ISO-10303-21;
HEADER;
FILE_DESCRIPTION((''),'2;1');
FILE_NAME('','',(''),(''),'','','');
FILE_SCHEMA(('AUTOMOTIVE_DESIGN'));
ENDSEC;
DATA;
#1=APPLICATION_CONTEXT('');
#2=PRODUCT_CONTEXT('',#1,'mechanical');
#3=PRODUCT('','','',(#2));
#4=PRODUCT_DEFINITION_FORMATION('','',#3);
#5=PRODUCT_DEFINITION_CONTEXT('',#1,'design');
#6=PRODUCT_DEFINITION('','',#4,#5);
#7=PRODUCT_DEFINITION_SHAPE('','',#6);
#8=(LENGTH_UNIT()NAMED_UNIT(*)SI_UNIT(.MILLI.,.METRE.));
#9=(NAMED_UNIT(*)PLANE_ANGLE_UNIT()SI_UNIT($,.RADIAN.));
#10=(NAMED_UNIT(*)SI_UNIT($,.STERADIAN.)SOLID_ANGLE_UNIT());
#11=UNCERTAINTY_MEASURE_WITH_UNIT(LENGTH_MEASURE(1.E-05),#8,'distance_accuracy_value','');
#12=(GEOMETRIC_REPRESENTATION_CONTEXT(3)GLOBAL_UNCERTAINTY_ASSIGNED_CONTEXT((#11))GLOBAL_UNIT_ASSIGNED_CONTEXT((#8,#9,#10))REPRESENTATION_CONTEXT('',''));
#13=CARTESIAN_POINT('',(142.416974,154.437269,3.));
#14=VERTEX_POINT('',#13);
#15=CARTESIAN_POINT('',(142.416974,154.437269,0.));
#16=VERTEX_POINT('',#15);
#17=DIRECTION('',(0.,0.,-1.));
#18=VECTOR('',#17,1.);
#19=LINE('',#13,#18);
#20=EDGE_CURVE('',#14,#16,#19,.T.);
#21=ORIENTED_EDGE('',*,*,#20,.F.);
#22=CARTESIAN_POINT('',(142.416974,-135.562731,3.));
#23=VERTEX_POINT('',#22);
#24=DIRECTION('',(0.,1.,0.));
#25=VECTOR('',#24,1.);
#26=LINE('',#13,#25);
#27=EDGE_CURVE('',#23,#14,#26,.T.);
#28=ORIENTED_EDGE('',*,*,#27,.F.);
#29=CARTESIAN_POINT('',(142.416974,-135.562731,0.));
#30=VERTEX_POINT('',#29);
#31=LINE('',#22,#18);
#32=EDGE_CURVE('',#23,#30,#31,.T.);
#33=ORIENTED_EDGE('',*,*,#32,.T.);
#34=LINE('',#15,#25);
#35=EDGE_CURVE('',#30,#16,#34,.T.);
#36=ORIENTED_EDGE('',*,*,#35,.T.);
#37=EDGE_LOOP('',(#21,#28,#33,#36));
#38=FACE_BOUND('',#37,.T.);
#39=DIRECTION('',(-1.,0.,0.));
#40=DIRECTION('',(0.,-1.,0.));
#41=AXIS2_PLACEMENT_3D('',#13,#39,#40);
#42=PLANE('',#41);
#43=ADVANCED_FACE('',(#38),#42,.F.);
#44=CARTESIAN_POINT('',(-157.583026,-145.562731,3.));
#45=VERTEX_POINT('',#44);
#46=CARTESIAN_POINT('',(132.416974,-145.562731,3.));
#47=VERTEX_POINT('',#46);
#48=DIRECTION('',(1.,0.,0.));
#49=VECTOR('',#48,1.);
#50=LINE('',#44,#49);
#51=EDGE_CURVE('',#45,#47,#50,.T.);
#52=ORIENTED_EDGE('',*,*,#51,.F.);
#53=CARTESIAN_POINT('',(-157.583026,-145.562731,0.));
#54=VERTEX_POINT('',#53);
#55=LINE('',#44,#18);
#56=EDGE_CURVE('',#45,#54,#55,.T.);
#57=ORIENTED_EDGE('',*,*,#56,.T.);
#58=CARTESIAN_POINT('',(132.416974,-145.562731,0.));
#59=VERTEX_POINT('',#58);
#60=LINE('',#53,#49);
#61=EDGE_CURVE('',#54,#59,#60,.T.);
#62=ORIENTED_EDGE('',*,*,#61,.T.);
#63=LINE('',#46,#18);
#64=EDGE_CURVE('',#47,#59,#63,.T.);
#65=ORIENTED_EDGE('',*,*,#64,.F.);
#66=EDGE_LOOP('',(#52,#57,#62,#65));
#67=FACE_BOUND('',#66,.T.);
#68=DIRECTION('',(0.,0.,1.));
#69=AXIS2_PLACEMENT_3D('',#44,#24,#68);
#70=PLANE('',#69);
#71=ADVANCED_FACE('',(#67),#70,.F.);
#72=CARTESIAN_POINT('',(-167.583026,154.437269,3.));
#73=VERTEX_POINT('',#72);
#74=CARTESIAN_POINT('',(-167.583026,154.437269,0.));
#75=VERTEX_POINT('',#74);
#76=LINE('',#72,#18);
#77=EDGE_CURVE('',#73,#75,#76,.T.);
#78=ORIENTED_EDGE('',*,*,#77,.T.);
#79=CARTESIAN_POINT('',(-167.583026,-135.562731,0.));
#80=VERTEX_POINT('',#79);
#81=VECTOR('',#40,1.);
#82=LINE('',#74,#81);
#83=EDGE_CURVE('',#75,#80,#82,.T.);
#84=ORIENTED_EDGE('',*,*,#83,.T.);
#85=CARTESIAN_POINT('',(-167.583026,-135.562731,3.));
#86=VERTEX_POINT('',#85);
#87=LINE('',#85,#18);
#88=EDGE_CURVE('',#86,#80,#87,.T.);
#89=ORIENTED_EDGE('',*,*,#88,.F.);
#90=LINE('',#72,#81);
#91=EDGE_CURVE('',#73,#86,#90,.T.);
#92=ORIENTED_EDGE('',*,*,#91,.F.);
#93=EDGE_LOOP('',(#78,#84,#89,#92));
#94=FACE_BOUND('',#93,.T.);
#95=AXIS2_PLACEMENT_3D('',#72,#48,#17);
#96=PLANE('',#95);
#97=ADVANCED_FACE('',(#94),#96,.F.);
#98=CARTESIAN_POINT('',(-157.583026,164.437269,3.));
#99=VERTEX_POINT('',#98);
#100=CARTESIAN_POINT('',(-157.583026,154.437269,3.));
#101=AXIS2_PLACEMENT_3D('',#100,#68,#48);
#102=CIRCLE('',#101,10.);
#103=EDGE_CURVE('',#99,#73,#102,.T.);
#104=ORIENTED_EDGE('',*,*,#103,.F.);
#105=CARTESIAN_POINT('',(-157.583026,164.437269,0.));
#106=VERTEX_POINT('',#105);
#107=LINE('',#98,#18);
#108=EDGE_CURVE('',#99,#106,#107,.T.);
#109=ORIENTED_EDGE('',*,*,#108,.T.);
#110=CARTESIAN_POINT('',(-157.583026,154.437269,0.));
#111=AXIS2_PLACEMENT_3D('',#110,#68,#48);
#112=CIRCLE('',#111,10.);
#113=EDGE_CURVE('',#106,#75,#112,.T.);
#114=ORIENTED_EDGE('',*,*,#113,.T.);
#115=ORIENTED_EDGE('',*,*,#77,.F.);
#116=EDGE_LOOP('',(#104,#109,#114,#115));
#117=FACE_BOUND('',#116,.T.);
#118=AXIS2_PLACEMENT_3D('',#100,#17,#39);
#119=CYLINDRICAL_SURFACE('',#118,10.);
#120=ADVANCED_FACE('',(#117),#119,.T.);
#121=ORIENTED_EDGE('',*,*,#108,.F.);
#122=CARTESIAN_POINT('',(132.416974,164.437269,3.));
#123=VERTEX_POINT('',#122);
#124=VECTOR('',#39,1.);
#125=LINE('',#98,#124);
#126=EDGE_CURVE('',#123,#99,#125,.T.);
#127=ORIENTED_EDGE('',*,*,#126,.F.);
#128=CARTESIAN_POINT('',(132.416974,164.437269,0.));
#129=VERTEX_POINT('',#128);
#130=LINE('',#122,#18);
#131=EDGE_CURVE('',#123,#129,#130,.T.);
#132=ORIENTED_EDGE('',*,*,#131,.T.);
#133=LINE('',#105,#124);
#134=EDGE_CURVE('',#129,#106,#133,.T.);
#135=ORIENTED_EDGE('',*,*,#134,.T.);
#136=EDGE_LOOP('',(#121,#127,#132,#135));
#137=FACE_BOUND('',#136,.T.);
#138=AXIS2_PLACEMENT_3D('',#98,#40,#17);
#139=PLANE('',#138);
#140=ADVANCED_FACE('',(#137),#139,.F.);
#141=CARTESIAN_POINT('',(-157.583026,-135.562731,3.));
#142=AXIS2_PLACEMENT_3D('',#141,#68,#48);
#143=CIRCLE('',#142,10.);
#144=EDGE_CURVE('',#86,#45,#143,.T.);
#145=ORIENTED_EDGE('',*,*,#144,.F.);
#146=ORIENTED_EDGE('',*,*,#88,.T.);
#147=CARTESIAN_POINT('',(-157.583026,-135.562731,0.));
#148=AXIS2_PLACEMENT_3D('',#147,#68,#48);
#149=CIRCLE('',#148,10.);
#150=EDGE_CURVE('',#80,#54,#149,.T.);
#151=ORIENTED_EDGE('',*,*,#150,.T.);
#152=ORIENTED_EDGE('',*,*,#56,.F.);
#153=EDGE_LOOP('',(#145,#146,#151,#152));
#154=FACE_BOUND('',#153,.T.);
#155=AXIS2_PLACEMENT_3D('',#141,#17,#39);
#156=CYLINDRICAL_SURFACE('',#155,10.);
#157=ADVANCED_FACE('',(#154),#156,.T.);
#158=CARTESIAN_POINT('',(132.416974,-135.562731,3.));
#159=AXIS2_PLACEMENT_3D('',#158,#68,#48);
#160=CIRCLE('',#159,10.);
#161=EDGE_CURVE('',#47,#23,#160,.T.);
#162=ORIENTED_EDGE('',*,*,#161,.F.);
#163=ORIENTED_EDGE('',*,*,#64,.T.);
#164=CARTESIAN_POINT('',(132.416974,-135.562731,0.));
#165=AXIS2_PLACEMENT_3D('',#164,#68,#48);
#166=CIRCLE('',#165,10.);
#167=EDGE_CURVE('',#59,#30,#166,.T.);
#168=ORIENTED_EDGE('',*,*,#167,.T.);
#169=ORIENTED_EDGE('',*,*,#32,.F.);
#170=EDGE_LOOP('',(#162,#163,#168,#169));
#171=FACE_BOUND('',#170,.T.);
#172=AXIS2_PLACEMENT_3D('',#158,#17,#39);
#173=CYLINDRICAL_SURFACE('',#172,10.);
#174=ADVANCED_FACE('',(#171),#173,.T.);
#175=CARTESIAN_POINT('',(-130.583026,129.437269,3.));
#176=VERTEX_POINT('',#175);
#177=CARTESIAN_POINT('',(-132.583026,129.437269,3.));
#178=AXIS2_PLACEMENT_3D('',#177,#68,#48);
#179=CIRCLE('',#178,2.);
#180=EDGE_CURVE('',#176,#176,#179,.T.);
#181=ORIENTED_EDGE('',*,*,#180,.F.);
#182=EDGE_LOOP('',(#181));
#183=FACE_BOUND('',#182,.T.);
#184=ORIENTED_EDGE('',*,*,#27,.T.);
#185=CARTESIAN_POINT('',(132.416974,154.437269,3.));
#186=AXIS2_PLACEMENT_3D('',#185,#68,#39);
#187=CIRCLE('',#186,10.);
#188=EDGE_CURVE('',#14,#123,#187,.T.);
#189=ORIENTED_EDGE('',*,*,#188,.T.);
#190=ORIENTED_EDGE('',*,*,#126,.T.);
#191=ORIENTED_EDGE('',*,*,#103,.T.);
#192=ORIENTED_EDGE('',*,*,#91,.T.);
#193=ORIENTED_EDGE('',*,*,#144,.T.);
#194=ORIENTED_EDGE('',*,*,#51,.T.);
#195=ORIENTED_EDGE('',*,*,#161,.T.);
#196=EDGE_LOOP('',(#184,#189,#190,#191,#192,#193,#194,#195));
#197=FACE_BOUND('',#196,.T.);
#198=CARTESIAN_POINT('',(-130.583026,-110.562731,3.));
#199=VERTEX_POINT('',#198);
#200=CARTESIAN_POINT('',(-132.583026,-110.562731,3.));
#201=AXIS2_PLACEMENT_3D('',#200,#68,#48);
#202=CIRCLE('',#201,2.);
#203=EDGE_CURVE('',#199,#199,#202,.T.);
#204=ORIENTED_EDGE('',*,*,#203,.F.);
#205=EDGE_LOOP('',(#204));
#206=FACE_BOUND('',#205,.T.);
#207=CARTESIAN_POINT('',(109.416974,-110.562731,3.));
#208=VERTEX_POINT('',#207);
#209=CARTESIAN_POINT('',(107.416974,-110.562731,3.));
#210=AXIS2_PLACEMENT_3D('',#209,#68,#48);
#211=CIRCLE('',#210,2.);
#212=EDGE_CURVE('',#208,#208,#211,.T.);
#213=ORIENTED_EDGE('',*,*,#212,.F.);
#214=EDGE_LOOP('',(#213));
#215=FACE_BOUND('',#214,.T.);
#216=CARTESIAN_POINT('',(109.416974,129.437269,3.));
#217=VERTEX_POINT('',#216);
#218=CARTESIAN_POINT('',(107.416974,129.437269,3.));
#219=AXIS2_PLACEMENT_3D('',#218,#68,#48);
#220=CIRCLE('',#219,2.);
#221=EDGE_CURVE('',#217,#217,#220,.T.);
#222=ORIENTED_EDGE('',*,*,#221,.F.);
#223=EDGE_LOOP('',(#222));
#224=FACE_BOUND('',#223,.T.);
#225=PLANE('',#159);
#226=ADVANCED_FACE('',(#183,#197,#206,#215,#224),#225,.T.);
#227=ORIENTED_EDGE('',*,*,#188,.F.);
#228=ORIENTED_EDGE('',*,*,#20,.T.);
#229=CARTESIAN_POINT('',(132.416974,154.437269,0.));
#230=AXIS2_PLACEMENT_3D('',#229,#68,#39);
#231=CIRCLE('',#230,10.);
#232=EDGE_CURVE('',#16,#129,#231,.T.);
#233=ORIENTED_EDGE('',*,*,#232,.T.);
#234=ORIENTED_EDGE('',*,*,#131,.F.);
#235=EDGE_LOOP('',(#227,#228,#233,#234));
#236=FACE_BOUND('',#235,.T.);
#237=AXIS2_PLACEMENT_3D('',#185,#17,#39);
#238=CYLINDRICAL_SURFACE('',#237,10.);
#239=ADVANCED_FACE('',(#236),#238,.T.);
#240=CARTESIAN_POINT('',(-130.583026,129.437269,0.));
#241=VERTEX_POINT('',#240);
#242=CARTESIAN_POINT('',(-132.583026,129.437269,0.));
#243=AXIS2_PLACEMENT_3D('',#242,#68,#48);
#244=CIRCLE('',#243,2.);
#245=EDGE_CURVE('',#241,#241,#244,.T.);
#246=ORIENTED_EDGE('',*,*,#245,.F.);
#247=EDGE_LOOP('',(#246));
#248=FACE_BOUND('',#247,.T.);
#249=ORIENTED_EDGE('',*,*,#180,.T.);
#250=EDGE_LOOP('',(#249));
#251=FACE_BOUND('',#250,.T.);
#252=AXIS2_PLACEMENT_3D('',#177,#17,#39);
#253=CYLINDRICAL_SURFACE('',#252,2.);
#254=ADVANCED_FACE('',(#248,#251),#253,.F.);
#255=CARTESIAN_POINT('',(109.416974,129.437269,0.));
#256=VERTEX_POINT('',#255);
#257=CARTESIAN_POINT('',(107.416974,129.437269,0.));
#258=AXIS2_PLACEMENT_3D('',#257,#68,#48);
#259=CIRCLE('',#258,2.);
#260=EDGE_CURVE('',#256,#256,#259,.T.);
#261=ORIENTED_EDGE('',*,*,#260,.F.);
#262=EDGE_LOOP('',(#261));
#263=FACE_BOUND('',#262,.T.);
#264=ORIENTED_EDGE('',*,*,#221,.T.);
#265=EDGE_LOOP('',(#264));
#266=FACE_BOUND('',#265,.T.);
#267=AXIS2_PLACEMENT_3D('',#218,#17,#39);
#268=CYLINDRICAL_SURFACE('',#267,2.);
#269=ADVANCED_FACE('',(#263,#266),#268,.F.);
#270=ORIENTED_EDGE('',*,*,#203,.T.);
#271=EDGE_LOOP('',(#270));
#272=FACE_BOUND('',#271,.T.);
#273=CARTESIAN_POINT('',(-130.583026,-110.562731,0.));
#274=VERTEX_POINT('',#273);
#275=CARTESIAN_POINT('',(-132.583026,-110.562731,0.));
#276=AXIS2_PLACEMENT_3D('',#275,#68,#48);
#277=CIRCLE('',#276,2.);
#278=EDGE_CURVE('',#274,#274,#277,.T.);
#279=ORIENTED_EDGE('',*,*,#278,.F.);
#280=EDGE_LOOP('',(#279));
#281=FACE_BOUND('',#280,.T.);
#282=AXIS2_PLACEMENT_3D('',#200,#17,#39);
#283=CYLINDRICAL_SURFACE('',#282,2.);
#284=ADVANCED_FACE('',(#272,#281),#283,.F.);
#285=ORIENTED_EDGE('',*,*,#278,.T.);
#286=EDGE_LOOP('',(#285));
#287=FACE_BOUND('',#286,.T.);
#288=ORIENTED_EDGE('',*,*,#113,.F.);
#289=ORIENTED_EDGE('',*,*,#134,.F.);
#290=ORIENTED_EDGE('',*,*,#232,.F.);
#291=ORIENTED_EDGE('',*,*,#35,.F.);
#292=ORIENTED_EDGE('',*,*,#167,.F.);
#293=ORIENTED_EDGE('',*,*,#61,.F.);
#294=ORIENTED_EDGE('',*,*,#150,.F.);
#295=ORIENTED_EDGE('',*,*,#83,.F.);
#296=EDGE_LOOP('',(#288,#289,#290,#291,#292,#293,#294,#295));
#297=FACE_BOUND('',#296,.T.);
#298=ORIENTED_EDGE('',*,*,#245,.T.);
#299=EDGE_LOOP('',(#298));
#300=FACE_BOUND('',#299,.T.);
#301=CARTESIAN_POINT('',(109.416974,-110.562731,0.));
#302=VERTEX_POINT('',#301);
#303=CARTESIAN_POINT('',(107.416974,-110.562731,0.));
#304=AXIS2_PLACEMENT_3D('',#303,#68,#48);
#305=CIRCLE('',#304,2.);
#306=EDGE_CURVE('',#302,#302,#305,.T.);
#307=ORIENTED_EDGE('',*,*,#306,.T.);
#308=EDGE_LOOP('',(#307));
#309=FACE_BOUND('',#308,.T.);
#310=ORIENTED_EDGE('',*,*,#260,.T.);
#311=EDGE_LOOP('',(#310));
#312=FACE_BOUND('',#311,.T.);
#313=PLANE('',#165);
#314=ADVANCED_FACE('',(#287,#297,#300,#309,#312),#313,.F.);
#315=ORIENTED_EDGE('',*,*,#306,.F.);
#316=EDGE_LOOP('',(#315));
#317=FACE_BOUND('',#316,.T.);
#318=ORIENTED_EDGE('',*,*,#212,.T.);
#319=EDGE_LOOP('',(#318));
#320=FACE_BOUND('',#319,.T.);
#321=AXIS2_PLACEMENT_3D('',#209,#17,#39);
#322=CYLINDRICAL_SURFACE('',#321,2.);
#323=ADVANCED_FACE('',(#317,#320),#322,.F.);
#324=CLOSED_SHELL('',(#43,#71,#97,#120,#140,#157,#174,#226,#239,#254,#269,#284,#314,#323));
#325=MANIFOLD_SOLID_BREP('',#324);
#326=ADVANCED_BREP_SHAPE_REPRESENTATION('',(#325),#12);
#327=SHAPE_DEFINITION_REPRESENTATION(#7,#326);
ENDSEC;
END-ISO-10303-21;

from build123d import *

# Parameters (mm, degrees)
SKETCH_1_R      = 2
EXTRUDE_1_DEPTH = 3


with BuildPart() as part:
    # 草图1 → 凸台-拉伸1 (new body)
    with BuildSketch(Plane.XY):
        with BuildLine():
            Line((-157.58302583, 164.437269373), (132.41697417, 164.437269373))
            ThreePointArc((132.41697417, 164.437269373), (139.488041982, 161.508337185), (142.41697417, 154.437269373))
            Line((142.41697417, 154.437269373), (142.41697417, -135.562730627))
            ThreePointArc((142.41697417, -135.562730627), (139.488041982, -142.633798439), (132.41697417, -145.562730627))
            Line((132.41697417, -145.562730627), (-157.58302583, -145.562730627))
            ThreePointArc((-157.58302583, -145.562730627), (-164.654093642, -142.633798439), (-167.58302583, -135.562730627))
            Line((-167.58302583, -135.562730627), (-167.58302583, 154.437269373))
            ThreePointArc((-167.58302583, 154.437269373), (-164.654093642, 161.508337185), (-157.58302583, 164.437269373))
        make_face()
        with Locations((107.41697417, 129.437269373)):
            Circle(SKETCH_1_R, mode=Mode.SUBTRACT)
        with Locations((107.41697417, -110.562730627)):
            Circle(SKETCH_1_R, mode=Mode.SUBTRACT)
        with Locations((-132.58302583, 129.437269373)):
            Circle(SKETCH_1_R, mode=Mode.SUBTRACT)
        with Locations((-132.58302583, -110.562730627)):
            Circle(SKETCH_1_R, mode=Mode.SUBTRACT)
    extrude(amount=EXTRUDE_1_DEPTH)


solid = part.part
